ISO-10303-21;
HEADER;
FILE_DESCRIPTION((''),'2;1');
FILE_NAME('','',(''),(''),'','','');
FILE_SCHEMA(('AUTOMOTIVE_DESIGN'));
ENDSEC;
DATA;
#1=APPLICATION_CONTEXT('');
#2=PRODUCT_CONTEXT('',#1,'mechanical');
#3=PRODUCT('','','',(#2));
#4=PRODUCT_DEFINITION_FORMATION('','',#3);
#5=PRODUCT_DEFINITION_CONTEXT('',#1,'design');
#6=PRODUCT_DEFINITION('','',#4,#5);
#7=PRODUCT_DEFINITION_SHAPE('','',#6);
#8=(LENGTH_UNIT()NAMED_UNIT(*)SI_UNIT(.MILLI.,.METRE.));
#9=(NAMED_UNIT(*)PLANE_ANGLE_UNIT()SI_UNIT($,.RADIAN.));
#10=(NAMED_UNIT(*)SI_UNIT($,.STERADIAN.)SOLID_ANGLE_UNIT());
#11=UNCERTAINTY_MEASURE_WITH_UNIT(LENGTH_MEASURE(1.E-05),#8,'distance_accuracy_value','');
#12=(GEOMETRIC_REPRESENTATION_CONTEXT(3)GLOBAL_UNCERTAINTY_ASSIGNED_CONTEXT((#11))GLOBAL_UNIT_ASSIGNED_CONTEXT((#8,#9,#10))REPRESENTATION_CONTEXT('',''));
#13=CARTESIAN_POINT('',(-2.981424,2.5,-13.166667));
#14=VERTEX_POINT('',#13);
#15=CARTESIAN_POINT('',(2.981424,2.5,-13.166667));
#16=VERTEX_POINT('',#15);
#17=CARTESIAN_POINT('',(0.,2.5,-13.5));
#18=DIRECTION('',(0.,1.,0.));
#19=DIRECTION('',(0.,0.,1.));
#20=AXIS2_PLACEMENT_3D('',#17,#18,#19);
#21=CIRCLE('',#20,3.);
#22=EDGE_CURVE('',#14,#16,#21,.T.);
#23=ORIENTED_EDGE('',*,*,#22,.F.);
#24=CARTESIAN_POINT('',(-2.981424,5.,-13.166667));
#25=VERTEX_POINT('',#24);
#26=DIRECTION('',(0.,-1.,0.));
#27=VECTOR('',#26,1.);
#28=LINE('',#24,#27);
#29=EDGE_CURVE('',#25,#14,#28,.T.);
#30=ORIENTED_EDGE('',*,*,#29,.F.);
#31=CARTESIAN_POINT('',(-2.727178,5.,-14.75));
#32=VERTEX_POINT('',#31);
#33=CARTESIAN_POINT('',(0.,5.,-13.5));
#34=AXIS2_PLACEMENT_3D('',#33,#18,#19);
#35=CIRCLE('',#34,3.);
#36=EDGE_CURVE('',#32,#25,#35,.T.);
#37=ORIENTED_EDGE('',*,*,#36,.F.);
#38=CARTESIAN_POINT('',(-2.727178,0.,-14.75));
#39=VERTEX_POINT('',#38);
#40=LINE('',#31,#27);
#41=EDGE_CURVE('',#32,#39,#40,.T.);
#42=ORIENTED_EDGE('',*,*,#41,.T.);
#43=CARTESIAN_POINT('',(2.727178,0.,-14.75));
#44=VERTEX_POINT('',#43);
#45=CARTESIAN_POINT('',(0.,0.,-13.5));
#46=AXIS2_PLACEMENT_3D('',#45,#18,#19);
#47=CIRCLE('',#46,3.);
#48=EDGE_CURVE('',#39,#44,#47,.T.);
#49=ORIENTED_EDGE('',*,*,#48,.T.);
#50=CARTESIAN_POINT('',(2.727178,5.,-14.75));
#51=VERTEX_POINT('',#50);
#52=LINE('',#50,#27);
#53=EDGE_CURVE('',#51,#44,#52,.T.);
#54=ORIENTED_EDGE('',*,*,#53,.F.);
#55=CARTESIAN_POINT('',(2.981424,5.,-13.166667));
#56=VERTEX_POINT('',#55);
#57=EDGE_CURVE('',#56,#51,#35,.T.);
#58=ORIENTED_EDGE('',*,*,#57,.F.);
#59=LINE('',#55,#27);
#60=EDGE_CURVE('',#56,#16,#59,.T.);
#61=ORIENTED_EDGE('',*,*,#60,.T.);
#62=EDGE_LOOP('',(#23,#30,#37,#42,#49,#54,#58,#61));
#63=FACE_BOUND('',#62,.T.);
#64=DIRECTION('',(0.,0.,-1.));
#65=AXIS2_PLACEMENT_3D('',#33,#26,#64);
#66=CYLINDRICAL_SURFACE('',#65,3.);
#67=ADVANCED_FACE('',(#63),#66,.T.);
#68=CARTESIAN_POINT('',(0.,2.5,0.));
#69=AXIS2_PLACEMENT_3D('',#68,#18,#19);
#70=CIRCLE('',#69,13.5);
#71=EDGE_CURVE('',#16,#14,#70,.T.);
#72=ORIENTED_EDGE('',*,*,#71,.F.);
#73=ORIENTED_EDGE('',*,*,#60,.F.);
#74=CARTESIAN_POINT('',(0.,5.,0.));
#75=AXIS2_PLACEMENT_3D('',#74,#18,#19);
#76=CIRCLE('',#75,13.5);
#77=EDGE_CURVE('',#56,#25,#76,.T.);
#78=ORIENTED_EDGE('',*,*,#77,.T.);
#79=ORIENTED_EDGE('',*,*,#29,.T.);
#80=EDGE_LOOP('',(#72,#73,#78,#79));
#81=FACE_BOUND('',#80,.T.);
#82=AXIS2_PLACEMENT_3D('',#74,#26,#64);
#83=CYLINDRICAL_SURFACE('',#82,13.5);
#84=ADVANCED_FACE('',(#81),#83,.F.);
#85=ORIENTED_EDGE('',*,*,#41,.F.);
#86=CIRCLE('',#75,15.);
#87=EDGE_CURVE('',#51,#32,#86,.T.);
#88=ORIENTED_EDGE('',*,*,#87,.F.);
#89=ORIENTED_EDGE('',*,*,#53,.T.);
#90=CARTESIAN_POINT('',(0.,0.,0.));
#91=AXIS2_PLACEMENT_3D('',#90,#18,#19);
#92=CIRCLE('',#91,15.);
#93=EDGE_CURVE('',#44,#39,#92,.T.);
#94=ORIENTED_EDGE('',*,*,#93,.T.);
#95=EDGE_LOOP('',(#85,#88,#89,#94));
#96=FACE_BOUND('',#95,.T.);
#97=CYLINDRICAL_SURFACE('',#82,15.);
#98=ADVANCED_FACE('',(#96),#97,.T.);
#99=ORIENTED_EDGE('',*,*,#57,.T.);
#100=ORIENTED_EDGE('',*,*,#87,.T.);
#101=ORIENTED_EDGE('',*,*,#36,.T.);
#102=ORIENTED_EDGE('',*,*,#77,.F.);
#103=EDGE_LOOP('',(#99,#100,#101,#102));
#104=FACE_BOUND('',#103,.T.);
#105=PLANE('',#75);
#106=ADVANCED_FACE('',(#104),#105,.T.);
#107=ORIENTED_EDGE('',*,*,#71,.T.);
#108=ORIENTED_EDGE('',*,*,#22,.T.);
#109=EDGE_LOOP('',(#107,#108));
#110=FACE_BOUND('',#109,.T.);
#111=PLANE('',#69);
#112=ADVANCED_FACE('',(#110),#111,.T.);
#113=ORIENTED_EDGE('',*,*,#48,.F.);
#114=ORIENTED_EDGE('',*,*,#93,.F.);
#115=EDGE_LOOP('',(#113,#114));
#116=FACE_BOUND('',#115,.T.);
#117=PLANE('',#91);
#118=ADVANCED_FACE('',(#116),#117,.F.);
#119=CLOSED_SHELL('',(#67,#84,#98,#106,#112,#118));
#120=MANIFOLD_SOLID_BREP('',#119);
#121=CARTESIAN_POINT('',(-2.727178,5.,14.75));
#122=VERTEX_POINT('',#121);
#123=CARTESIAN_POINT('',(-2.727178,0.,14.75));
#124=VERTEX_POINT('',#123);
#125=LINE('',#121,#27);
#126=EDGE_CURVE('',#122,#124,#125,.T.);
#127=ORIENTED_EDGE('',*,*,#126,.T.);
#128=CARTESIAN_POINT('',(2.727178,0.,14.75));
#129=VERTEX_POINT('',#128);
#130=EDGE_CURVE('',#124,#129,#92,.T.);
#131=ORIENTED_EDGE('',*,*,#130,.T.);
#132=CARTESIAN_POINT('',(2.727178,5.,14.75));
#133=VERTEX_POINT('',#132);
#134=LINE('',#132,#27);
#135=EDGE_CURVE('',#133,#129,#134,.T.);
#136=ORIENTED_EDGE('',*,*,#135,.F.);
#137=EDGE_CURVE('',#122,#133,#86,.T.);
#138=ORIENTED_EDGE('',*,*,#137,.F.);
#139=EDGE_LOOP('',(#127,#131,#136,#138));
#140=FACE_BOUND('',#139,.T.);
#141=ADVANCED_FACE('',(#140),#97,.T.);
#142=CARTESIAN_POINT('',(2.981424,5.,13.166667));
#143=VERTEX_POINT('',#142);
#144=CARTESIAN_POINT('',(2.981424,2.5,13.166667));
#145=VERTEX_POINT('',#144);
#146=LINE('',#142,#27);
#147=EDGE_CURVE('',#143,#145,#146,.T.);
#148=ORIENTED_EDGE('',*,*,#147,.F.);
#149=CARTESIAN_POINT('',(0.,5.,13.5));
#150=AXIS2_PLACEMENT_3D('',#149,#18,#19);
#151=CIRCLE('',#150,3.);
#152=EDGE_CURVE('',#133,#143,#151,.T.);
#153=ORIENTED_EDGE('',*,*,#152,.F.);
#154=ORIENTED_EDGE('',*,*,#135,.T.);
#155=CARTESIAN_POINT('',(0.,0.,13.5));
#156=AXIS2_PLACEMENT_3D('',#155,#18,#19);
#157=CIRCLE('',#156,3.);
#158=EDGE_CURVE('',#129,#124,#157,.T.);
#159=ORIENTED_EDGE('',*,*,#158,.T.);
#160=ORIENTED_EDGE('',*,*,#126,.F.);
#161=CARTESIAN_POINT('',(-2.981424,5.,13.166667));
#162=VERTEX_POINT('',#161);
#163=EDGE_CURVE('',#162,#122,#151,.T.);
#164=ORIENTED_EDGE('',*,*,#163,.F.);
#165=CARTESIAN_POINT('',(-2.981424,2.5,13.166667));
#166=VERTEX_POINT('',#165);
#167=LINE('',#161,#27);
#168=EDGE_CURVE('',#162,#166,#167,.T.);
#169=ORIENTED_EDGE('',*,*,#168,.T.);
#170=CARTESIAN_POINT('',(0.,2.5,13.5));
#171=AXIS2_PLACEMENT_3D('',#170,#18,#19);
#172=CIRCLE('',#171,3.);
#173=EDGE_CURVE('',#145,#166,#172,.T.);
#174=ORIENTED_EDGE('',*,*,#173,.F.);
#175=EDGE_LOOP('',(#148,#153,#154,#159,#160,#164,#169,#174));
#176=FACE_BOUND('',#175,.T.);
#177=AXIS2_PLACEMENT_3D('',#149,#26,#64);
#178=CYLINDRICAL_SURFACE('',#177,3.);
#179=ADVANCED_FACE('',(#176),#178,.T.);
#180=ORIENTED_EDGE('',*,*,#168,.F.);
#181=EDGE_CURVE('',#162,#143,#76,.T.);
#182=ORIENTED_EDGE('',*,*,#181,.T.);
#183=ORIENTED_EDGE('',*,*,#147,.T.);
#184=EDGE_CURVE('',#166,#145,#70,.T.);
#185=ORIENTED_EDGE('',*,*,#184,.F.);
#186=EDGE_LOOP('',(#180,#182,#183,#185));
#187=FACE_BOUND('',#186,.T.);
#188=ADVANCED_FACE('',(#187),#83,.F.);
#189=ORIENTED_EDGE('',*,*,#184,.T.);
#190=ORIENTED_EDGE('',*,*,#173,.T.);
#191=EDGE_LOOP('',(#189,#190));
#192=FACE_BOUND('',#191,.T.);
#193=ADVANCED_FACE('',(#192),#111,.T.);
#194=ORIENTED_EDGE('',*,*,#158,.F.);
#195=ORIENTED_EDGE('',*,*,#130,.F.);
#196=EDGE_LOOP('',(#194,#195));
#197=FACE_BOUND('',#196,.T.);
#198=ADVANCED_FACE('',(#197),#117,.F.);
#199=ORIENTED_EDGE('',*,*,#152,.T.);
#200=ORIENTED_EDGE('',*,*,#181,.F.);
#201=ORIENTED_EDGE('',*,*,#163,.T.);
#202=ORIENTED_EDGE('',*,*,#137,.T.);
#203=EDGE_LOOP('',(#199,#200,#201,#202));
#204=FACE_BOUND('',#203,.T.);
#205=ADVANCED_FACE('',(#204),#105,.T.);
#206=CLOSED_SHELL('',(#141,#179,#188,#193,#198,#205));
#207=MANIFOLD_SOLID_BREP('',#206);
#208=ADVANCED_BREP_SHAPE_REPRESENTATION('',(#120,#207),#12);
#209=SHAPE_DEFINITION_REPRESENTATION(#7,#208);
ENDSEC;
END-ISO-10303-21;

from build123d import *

# Parameters (mm, degrees)
BOSS_EXTRUDE2_DEPTH   = 5
BOSS_EXTRUDE2_2_DEPTH = 5
BOSS_EXTRUDE3_DEPTH   = 2.5


with BuildPart() as part:
    # Sketch2 → Boss-Extrude2 (new body)
    with BuildSketch(Plane(origin=(0, 0, 0), x_dir=(1, 0, 0), z_dir=(0, 1, 0))):
        with BuildLine():
            ThreePointArc((-2.98142397, 13.166666667), (0, 13.5), (2.98142397, 13.166666667))
            ThreePointArc((2.98142397, 13.166666667), (2.962055082, 13.975636094), (2.727178029, 14.75))
            ThreePointArc((2.727178029, 14.75), (0, 15), (-2.727178029, 14.75))
            ThreePointArc((-2.727178029, 14.75), (-2.962055082, 13.975636094), (-2.98142397, 13.166666667))
        make_face()
    extrude(amount=BOSS_EXTRUDE2_DEPTH)



with BuildPart() as body_2:
    # Sketch2 → Boss-Extrude2 2 (new body)
    with BuildSketch(Plane(origin=(0, 0, 0), x_dir=(1, 0, 0), z_dir=(0, 1, 0))):
        with BuildLine():
            ThreePointArc((2.727178029, -14.75), (2.962055082, -13.975636094), (2.98142397, -13.166666667))
            ThreePointArc((2.98142397, -13.166666667), (0, -13.5), (-2.98142397, -13.166666667))
            ThreePointArc((-2.98142397, -13.166666667), (-2.962055082, -13.975636094), (-2.727178029, -14.75))
            ThreePointArc((-2.727178029, -14.75), (0, -15), (2.727178029, -14.75))
        make_face()
    extrude(amount=BOSS_EXTRUDE2_2_DEPTH)


with BuildPart() as part_1:
    add(part.part)

    add(body_2.part)  # Boss-Extrude3 merges body 2
    # Sketch2<6> → Boss-Extrude3 (add)
    with BuildSketch(Plane(origin=(0, 0, 0), x_dir=(1, 0, 0), z_dir=(0, 1, 0))):
        with BuildLine():
            ThreePointArc((-2.98142397, 13.166666667), (0, 10.5), (2.98142397, 13.166666667))
            ThreePointArc((2.98142397, 13.166666667), (0, 13.5), (-2.98142397, 13.166666667))
        make_face()
        with BuildLine():
            ThreePointArc((-2.98142397, -13.166666667), (0, -13.5), (2.98142397, -13.166666667))
            ThreePointArc((2.98142397, -13.166666667), (0, -10.5), (-2.98142397, -13.166666667))
        make_face()
    extrude(amount=BOSS_EXTRUDE3_DEPTH)


solid = part_1.part
